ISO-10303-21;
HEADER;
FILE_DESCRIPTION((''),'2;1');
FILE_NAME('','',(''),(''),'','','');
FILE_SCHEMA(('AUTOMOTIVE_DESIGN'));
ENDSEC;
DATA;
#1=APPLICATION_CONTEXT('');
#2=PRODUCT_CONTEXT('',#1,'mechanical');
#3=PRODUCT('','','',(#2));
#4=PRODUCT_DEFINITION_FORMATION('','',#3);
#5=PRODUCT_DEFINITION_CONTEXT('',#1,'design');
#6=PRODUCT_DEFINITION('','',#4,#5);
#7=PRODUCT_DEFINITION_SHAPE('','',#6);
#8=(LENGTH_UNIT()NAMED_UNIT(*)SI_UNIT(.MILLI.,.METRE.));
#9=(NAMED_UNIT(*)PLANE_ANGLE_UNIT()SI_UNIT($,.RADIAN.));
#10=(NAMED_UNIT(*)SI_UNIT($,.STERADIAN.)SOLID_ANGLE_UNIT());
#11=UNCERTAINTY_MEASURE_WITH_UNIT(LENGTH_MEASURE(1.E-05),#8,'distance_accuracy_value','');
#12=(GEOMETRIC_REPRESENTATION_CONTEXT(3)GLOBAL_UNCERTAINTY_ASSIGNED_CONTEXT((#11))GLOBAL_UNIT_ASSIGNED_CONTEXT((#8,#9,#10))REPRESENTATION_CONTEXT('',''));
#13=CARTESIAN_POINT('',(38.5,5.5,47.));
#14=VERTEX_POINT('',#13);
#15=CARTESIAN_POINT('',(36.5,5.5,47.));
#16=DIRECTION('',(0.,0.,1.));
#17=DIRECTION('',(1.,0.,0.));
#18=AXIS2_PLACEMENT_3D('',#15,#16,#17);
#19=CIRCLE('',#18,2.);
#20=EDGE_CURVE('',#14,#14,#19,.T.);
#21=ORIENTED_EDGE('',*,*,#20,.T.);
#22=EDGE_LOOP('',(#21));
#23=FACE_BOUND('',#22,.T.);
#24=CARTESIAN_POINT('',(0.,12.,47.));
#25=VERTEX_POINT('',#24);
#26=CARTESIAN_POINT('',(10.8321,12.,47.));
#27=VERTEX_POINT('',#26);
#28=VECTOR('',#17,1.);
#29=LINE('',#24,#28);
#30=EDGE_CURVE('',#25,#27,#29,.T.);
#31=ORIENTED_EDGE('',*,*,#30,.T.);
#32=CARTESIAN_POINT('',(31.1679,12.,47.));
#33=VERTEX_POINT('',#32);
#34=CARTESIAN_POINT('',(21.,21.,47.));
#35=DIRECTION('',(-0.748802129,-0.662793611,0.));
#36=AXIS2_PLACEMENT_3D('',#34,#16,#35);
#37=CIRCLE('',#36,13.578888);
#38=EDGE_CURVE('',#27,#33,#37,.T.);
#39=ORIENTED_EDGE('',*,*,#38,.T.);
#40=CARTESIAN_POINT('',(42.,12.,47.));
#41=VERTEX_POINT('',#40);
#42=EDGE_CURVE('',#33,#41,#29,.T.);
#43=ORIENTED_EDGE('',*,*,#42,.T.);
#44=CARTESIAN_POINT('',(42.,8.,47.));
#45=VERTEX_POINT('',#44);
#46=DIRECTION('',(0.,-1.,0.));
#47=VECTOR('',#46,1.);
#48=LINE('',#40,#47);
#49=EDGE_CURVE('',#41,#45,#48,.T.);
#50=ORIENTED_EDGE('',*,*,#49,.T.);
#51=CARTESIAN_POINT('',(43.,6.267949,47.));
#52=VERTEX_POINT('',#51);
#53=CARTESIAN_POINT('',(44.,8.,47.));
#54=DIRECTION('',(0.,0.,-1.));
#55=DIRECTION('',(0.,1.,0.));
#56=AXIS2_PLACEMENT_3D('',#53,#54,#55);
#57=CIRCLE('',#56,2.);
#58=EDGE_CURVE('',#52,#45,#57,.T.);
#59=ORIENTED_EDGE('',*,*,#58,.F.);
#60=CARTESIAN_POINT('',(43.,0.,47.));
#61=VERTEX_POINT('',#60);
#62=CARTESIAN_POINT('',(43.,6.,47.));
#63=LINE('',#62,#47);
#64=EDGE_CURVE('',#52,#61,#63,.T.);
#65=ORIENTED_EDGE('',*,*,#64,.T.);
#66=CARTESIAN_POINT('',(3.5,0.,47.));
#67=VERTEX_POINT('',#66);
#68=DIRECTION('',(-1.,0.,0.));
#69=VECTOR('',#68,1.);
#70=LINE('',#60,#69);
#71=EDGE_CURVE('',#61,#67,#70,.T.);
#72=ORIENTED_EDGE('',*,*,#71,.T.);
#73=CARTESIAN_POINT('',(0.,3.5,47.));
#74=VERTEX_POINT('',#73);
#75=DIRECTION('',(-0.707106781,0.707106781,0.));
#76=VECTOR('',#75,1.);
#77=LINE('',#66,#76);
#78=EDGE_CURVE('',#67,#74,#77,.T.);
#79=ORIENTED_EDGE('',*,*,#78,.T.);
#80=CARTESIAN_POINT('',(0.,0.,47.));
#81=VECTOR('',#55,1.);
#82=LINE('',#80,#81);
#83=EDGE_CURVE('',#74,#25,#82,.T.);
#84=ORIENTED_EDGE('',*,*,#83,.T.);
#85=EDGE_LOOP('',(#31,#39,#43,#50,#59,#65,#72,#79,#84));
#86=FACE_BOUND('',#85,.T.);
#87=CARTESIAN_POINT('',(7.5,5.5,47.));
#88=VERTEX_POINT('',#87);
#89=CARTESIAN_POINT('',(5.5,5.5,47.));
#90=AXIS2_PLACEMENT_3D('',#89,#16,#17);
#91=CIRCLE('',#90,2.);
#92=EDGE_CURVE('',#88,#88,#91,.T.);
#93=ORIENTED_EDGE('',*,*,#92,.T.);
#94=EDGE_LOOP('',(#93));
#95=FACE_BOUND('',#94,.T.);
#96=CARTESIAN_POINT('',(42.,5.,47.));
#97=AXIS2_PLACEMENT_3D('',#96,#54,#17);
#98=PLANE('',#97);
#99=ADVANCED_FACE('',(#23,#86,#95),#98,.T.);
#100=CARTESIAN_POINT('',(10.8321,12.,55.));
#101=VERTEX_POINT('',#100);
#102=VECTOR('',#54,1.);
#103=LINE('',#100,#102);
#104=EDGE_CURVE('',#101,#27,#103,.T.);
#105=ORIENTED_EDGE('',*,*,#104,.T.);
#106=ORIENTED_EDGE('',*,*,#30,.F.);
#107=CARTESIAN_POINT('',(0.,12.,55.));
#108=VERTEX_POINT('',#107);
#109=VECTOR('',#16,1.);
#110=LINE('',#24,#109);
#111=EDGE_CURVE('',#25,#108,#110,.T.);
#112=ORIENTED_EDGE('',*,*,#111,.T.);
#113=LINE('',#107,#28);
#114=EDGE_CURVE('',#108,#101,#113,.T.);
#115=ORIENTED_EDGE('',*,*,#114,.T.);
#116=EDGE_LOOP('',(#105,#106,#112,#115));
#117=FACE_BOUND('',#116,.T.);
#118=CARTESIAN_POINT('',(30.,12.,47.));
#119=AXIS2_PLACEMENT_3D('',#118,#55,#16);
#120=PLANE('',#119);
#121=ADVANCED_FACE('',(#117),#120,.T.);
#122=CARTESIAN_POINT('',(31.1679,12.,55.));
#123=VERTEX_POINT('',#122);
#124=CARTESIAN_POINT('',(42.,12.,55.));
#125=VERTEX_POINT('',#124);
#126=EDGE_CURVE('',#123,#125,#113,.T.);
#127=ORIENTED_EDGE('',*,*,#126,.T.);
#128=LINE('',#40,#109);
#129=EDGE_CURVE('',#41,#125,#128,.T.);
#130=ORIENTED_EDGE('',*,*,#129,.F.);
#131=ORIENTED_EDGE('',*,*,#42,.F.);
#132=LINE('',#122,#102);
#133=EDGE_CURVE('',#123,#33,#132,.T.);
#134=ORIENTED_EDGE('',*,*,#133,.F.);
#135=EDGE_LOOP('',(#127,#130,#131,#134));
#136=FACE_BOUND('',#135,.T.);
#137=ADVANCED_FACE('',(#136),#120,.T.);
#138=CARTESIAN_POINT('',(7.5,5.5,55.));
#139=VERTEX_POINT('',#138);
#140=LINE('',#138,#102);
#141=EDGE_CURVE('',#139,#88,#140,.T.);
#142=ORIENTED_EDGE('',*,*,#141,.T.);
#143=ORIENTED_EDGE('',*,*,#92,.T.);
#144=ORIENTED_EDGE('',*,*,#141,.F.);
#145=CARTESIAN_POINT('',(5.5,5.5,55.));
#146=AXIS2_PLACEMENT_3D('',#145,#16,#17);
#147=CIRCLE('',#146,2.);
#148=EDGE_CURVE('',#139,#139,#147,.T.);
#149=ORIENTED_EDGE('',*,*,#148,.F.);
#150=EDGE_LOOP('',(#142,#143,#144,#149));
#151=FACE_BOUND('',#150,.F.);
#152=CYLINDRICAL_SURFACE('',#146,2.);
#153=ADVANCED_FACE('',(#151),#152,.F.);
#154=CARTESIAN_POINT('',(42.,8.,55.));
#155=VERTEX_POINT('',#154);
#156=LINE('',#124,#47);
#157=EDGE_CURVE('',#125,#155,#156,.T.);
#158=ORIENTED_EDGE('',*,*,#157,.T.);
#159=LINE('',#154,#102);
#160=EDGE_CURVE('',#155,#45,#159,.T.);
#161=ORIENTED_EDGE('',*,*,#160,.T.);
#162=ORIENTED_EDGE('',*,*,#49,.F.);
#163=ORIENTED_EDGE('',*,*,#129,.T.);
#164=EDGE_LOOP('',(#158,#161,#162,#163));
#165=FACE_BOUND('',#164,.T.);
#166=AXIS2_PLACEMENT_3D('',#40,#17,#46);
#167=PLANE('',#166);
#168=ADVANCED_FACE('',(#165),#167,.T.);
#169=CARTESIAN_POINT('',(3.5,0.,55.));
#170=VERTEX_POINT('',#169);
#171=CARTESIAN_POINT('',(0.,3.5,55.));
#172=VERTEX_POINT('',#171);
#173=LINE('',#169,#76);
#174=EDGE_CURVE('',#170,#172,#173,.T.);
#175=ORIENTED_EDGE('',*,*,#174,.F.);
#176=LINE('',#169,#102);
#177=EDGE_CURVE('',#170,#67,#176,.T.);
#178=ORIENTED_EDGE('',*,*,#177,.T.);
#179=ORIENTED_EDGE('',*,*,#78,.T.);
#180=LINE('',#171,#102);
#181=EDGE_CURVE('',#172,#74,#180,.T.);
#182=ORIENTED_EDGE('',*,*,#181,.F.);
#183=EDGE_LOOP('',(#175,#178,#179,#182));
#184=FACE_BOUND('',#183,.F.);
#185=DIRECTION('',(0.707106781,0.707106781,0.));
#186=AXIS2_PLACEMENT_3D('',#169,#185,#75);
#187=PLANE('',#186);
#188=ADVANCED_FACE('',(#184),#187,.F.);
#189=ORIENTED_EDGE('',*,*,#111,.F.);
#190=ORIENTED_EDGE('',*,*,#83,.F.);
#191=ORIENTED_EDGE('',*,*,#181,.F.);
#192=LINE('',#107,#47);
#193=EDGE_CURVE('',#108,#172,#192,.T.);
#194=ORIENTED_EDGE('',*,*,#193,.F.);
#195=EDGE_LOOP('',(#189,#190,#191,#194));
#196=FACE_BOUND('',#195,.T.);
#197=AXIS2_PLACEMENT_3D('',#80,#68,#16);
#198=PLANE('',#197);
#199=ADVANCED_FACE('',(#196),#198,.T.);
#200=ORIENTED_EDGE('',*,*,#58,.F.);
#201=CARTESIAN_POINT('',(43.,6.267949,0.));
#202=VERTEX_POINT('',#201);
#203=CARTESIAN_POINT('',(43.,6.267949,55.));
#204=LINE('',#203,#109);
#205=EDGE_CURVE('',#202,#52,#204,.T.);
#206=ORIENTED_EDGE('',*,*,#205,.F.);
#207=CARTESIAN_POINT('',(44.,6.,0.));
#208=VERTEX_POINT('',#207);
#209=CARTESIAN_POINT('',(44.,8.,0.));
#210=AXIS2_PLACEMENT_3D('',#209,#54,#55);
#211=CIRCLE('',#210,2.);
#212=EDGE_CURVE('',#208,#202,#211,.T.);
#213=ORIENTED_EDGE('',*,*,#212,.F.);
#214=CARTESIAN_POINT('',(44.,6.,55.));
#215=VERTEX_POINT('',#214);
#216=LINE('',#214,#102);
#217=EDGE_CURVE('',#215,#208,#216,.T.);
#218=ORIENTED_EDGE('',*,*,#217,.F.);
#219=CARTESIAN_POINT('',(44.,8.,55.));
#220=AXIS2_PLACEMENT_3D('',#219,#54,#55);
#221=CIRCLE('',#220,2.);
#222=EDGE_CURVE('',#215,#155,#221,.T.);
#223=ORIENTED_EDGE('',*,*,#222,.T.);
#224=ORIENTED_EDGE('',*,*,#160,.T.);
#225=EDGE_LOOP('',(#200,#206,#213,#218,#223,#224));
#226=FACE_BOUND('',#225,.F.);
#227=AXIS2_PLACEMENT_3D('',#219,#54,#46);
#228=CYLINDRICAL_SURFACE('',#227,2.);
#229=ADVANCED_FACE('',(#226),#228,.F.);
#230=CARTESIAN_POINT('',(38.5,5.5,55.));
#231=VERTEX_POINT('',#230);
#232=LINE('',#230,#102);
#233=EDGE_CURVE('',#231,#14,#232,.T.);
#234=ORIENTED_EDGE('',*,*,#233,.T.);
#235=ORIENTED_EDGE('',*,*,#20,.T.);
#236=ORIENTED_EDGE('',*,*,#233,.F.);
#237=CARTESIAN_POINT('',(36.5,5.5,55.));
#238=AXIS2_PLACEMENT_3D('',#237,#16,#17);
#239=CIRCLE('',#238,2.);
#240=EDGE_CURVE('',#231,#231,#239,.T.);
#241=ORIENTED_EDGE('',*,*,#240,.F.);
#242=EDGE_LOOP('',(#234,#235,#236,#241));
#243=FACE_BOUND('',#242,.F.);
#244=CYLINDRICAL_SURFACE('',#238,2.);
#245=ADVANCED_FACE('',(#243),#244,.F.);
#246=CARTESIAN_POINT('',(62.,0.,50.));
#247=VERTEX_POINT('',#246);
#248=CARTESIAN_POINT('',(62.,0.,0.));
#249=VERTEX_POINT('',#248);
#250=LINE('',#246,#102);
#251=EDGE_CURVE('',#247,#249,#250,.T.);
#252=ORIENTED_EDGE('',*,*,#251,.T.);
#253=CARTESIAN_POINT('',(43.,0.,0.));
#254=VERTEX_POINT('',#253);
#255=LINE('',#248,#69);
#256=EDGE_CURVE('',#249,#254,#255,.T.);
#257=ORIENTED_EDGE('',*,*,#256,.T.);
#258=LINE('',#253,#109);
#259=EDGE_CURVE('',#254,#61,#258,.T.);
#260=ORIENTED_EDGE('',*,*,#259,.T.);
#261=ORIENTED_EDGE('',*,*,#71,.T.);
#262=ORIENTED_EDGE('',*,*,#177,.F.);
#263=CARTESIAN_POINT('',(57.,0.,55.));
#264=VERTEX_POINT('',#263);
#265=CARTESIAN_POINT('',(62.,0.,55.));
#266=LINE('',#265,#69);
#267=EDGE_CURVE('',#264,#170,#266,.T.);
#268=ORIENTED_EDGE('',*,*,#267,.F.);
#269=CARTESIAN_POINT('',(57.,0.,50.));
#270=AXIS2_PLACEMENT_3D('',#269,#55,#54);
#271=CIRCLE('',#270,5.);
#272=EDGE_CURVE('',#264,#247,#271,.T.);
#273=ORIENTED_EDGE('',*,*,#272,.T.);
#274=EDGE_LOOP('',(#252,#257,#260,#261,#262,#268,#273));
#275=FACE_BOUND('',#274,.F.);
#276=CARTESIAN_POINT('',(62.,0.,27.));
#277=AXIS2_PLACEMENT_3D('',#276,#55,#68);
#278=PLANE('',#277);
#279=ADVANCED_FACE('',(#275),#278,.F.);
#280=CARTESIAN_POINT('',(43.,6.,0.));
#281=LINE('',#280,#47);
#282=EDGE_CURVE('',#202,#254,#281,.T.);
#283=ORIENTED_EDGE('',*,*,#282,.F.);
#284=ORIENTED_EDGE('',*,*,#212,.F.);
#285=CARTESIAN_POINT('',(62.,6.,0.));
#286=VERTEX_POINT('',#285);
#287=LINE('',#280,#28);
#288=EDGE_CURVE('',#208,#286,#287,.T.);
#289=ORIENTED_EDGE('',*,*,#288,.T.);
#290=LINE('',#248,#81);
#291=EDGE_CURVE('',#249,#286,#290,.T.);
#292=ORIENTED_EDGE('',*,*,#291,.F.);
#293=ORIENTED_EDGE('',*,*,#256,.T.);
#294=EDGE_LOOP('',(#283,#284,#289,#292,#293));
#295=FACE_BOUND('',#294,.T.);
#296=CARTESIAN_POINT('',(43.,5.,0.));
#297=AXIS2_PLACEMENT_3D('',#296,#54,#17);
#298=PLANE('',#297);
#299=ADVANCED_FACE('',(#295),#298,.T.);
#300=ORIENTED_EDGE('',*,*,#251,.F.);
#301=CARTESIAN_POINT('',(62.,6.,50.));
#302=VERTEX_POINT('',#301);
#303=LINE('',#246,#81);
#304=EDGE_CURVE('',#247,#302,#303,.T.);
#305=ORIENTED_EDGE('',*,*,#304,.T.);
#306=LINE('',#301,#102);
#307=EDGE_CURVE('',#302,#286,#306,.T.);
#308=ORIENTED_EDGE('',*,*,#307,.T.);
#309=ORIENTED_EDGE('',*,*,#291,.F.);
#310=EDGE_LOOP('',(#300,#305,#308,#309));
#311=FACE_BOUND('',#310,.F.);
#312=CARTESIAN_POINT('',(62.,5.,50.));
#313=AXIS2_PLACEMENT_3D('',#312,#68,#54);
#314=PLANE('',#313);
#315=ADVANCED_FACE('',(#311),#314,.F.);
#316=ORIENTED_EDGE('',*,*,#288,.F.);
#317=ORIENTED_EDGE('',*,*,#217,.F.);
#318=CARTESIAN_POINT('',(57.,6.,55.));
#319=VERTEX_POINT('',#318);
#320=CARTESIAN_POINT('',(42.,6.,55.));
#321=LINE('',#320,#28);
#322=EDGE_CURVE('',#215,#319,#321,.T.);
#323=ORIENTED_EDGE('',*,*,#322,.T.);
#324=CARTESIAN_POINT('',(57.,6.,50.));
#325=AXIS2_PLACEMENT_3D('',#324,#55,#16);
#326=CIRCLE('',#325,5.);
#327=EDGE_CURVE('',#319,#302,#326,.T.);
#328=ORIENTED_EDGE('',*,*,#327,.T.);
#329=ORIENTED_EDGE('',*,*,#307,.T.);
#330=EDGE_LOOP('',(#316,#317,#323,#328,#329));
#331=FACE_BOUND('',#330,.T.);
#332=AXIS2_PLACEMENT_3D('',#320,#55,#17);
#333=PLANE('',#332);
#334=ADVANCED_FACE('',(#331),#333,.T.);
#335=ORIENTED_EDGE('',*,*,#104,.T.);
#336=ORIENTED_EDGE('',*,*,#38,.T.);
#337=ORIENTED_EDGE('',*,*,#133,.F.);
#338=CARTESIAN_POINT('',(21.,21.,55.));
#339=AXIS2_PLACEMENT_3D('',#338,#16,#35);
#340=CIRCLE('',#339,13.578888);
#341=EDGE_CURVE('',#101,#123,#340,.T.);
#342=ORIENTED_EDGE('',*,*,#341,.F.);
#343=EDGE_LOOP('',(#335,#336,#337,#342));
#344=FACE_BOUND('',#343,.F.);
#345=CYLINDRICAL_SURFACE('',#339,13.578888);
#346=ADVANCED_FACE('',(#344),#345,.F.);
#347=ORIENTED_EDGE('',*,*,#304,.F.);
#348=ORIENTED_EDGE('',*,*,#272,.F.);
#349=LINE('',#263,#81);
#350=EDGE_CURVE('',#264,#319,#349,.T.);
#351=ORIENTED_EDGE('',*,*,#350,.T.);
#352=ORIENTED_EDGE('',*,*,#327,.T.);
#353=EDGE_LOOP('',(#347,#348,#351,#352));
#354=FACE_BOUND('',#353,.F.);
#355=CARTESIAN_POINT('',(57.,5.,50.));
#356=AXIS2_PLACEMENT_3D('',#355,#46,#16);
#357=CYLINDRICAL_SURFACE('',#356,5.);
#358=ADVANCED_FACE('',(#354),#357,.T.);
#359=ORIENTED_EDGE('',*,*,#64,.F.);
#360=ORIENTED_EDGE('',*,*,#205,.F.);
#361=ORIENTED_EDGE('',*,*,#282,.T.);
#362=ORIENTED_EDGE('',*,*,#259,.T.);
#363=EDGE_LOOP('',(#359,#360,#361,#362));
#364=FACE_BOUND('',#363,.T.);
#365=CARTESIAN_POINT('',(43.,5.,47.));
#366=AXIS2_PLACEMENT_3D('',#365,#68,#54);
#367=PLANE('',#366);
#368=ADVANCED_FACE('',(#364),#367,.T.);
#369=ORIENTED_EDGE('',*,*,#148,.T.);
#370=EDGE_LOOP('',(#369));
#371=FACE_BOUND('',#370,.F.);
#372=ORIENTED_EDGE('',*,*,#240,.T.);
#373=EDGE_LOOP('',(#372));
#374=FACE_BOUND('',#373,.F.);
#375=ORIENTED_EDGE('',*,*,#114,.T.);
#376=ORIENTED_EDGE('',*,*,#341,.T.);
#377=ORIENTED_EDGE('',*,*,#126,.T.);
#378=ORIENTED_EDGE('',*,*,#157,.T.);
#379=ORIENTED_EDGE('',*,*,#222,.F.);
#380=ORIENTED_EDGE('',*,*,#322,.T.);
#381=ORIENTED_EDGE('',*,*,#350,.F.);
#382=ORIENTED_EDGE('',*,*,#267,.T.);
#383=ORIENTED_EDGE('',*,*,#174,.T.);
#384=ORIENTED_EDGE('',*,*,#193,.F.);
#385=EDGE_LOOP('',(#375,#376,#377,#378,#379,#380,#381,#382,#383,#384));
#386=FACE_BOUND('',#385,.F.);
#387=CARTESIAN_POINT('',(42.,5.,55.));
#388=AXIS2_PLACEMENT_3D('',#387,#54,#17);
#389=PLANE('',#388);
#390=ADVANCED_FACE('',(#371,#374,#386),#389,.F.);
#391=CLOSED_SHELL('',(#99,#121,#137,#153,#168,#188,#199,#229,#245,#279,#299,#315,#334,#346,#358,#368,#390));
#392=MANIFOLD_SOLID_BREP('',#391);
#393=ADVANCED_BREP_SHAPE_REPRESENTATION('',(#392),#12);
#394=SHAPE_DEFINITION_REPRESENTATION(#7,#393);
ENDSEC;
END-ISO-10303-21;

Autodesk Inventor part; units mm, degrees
ref_plane "YZ Plane" through (0, 0, 0) normal (1, 0, 0) x (0, 1, 0)
ref_plane "Work Plane1" through (21, 21, 47) normal (0, 0, 1) x (1, 0, 0)
sketch "Sketch1" plane through (21, 21, 47) normal (0, 0, 1) x (1, 0, 0)
  line L0 (21, -17.5) -> (21, 17.5) construction
  line L1 (-17.5, -21) -> (17.5, -21) construction
  line L2 (21, -21) -> (9, -21)
  line L3 (9, -21) -> (9, -9)
  line L4 (9, -9) -> (21, -9)
  line L5 (21, -9) -> (21, -21)
  point P0 (-21, -21)
  dimension "d0" = 12
  dimension "d1" = 12
extrude "Extrusion1" add sketch "Sketch1" along normal blind 8
sketch "Sketch2" plane through (42, 0, 47) normal (1, 0, 0) x (0, 0, -1)
  line L0 (-8, 0) -> (0, 0)
  line L1 (0, 0) -> (0, 5)
  line L2 (0, 5) -> (-8, 5)
  line L3 (-8, 5) -> (-8, 0)
  point P0 (47, 0)
  dimension "d4" = 8
  dimension "d5" = 5
extrude "Extrusion2" add sketch "Sketch2" along normal blind 20
sketch "Sketch3" plane through (21, 21, 47) normal (0, 0, -1) x (-1, 0, 0)
  line L0 (-41, -16) -> (-22, -16)
  line L1 (-22, -16) -> (-22, -21)
  line L2 (-22, -21) -> (-41, -21)
  line L3 (-41, -21) -> (-41, -16)
  point P0 (21, -21)
  dimension "d8" = 19
  dimension "d9" = 5
extrude "Extrusion3" add sketch "Sketch3" along normal blind 20
sketch "Sketch4" plane through (21, 21, 55) normal (0, 0, 1) x (1, 0, 0)
  circle A0 centre (15.5, -15.5) radius 1.5 projected
  circle A1 centre (15.5, -15.5) radius 2
  point P0 (-21, -21)
  dimension "d15" = 0.5
extrude "Extrusion4" cut sketch "Sketch4" against normal blind 8 contours A0 | A1
sketch "Sketch5" plane through (30, 0, 47) normal (-1, 0, 0) x (0, 0, 1)
  line L0 (0, 0) -> (0, 12) projected
  line L1 (0, 0) -> (8, 0) projected
  line L2 (8, 12) -> (8, 0) projected
  line L3 (0, 12) -> (8, 12) projected
  point P0 (-47, 0)
ref_plane "Work Plane2" through (0, 3.5, 0) normal (-1, 0, 0) x (0, 0, 1)
extrude "Extrusion5" add sketch "Sketch5" along normal up to surface (30 mm away)
sketch "Sketch6" plane through (21, 21, 55) normal (0, 0, 1) x (1, 0, 0)
  circle A0 centre (-15.5, -15.5) radius 1.5 projected
  circle A1 centre (-15.5, -15.5) radius 2
  dimension "d20" = 0.5
extrude "Extrusion6" cut sketch "Sketch6" against normal blind 8 contours A0 | A1
sketch "Sketch7" plane through (21, 21, 55) normal (0, 0, 1) x (1, 0, 0)
  line L0 (21, -9) -> (-21, -9) projected
  circle A0 centre (0, 0) radius 11 projected
  arc A1 (-10.1679, -9) -> (10.1679, -9) centre (0, 0) ccw
  line L1 (-10.1679, -9) -> (11.2714, -9)
  line L2 (-13.5789, -9) -> (17.965, -9)
extrude "Extrusion7" cut sketch "Sketch7" against normal blind 8 contours A1 L0 A0 | A0 L0 picked at (-1.3175, -9.4218)
sketch "Sketch8" plane through (21, 21, 55) normal (0, 0, 1) x (1, 0, 0)
  line L0 (-21, -9) -> (-21, -21) projected
  line L1 (41, -21) -> (-21, -21) projected
  line L2 (-17.5, -21) -> (-21, -17.5) projected
extrude "Extrusion8" cut sketch "Sketch8" against normal blind 8
fillet "Fillet4" radius 5 1 edges at (62, 2.5, 55)
sketch "Sketch10" plane through (21, 21, 27) normal (0, 0, -1) x (-1, 0, 0)
  line L0 (-41, -16) -> (-41, -21) projected
  line L1 (-41, -21) -> (-22, -21) projected
  line L2 (-22, -21) -> (-22, -16) projected
  line L3 (-22, -16) -> (-41, -16) projected
  point P0 (21, -21)
extrude "Extrusion10" add sketch "Sketch10" along normal blind 27
sketch "Sketch11" plane through (42, 5, 55) normal (0, 1, 0) x (1, 0, 0)
  arc A0 (15, 0) -> (20, 5) centre (15, 5) ccw projected
  line L0 (20, 5) -> (20, 55) projected
  line L1 (1, 55) -> (20, 55) projected
  line L2 (1, 8) -> (1, 55) projected
  line L3 (0, 8) -> (1, 8) projected
  line L4 (0, 0) -> (0, 8) projected
  line L5 (0, 0) -> (15, 0) projected
  point P0 (-42, 55)
extrude "Extrusion11" add sketch "Sketch11" along normal blind 1
fillet "Fillet5" radius 2 1 edges at (42, 6, 51)
properties part number "RightBracket"
